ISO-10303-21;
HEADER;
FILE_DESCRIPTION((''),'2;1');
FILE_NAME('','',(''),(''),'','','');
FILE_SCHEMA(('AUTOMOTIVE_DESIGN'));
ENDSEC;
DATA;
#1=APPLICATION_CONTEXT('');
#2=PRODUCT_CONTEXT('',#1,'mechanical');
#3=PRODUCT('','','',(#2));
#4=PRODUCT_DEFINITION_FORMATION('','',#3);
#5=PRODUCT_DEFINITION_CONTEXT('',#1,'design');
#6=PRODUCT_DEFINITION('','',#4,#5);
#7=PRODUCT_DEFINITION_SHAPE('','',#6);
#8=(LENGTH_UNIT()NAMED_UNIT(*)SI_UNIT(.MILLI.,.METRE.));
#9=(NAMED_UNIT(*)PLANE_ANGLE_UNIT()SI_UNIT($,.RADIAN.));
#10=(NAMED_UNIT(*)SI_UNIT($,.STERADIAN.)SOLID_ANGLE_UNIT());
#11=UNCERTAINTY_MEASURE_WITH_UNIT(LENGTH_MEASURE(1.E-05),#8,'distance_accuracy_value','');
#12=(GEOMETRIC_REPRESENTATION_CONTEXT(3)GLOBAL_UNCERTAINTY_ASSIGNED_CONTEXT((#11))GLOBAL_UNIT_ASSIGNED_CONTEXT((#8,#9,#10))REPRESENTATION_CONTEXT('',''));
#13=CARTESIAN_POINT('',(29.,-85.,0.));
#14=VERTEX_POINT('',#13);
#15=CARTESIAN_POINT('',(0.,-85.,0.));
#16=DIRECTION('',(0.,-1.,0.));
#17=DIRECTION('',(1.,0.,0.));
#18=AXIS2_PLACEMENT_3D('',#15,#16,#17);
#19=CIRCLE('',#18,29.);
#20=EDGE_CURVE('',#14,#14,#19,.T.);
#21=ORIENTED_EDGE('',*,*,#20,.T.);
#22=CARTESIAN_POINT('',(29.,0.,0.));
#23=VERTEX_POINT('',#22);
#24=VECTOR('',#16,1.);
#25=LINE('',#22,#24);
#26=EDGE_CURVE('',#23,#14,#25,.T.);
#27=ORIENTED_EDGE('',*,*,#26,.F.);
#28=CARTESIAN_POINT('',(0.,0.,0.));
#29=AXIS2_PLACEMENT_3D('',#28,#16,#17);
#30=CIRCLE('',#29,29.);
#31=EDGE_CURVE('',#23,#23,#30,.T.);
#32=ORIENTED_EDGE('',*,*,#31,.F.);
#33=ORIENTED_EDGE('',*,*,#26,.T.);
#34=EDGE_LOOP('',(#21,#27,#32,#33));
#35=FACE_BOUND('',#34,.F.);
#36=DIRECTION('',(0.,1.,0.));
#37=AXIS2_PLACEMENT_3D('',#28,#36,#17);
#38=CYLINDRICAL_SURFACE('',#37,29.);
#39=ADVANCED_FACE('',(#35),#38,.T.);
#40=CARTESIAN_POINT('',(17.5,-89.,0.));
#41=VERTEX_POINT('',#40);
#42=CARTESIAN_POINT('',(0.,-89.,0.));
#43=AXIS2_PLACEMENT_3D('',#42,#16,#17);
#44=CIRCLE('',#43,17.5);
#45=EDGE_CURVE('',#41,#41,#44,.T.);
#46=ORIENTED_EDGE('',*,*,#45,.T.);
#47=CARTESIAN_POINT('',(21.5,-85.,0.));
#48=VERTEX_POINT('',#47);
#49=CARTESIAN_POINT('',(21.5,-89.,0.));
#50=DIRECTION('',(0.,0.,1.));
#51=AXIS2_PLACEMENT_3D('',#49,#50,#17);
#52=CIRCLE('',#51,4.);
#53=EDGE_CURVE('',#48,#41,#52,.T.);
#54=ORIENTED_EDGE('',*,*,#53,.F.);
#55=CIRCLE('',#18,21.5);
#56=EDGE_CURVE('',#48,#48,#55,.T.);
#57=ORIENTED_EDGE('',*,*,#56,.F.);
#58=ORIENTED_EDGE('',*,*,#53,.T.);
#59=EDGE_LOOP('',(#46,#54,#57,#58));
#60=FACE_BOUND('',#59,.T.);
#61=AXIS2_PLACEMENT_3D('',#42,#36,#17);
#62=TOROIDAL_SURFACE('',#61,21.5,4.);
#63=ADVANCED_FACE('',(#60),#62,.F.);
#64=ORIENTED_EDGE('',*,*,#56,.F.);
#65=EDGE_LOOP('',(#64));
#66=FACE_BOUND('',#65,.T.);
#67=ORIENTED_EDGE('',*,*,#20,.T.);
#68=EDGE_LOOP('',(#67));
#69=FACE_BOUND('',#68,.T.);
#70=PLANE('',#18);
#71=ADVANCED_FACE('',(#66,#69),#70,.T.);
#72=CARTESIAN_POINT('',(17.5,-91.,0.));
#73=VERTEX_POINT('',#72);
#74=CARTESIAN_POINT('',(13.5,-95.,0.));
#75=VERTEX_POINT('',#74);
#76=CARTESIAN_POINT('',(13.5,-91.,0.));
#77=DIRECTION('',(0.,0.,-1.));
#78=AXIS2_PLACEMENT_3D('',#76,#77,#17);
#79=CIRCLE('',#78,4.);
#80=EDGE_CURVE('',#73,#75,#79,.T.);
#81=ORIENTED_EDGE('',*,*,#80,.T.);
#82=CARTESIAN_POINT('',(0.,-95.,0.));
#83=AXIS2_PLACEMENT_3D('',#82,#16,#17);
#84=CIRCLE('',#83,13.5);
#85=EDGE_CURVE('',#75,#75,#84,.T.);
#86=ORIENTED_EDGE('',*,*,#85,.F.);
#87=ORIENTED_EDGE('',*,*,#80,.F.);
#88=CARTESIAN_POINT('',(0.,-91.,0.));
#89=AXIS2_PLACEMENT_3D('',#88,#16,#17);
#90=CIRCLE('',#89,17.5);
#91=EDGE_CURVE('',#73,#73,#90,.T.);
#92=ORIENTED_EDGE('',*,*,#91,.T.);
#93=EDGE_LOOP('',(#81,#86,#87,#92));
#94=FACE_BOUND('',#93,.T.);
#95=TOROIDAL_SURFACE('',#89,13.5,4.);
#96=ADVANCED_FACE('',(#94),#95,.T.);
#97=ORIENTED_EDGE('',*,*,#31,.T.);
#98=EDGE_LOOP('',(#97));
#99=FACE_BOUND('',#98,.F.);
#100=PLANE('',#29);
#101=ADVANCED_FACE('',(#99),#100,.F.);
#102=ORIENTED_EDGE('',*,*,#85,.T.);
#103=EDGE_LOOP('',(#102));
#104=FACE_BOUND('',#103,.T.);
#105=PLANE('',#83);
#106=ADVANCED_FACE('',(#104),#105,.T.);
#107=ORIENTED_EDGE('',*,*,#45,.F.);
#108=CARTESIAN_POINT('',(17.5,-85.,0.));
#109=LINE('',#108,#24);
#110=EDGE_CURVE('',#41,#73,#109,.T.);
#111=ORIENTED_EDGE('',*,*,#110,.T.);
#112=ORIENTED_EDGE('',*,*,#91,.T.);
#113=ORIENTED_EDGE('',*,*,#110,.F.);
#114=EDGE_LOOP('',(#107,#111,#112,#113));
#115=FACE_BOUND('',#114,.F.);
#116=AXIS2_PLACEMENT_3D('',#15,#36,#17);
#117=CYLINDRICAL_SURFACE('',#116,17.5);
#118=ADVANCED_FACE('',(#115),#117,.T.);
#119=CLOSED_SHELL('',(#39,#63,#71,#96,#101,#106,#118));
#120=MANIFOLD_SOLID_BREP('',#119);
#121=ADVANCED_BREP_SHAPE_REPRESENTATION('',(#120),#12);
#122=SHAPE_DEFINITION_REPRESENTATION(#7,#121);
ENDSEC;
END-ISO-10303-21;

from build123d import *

# Parameters (mm, degrees)
SKETCH_R     = 29
PAD_DEPTH    = 85
SKETCH001_R  = 17.5
PAD001_DEPTH = 10
FILLET_R     = 4
FILLET001_R  = 4


with BuildPart() as part:
    # Sketch (on XZ_Plane of Origin) → Pad (new body)
    with BuildSketch(Plane.XZ):
        Circle(SKETCH_R)
    extrude(amount=PAD_DEPTH)

    # Sketch001 (on Face3 of Pad) → Pad001 (join)
    with BuildSketch(Plane.XZ.offset(85)):
        Circle(SKETCH001_R)
    extrude(amount=PAD001_DEPTH)

    # Fillet
    fillet_edges = [part.edges().sort_by_distance(p)[0] for p in [
        (-17.5, -85, 0),
    ]]
    fillet(fillet_edges, radius=FILLET_R)

    # Fillet001
    fillet001_edges = [part.edges().sort_by_distance(p)[0] for p in [
        (-17.5, -95, 0),
    ]]
    fillet(fillet001_edges, radius=FILLET001_R)


solid = part.part
